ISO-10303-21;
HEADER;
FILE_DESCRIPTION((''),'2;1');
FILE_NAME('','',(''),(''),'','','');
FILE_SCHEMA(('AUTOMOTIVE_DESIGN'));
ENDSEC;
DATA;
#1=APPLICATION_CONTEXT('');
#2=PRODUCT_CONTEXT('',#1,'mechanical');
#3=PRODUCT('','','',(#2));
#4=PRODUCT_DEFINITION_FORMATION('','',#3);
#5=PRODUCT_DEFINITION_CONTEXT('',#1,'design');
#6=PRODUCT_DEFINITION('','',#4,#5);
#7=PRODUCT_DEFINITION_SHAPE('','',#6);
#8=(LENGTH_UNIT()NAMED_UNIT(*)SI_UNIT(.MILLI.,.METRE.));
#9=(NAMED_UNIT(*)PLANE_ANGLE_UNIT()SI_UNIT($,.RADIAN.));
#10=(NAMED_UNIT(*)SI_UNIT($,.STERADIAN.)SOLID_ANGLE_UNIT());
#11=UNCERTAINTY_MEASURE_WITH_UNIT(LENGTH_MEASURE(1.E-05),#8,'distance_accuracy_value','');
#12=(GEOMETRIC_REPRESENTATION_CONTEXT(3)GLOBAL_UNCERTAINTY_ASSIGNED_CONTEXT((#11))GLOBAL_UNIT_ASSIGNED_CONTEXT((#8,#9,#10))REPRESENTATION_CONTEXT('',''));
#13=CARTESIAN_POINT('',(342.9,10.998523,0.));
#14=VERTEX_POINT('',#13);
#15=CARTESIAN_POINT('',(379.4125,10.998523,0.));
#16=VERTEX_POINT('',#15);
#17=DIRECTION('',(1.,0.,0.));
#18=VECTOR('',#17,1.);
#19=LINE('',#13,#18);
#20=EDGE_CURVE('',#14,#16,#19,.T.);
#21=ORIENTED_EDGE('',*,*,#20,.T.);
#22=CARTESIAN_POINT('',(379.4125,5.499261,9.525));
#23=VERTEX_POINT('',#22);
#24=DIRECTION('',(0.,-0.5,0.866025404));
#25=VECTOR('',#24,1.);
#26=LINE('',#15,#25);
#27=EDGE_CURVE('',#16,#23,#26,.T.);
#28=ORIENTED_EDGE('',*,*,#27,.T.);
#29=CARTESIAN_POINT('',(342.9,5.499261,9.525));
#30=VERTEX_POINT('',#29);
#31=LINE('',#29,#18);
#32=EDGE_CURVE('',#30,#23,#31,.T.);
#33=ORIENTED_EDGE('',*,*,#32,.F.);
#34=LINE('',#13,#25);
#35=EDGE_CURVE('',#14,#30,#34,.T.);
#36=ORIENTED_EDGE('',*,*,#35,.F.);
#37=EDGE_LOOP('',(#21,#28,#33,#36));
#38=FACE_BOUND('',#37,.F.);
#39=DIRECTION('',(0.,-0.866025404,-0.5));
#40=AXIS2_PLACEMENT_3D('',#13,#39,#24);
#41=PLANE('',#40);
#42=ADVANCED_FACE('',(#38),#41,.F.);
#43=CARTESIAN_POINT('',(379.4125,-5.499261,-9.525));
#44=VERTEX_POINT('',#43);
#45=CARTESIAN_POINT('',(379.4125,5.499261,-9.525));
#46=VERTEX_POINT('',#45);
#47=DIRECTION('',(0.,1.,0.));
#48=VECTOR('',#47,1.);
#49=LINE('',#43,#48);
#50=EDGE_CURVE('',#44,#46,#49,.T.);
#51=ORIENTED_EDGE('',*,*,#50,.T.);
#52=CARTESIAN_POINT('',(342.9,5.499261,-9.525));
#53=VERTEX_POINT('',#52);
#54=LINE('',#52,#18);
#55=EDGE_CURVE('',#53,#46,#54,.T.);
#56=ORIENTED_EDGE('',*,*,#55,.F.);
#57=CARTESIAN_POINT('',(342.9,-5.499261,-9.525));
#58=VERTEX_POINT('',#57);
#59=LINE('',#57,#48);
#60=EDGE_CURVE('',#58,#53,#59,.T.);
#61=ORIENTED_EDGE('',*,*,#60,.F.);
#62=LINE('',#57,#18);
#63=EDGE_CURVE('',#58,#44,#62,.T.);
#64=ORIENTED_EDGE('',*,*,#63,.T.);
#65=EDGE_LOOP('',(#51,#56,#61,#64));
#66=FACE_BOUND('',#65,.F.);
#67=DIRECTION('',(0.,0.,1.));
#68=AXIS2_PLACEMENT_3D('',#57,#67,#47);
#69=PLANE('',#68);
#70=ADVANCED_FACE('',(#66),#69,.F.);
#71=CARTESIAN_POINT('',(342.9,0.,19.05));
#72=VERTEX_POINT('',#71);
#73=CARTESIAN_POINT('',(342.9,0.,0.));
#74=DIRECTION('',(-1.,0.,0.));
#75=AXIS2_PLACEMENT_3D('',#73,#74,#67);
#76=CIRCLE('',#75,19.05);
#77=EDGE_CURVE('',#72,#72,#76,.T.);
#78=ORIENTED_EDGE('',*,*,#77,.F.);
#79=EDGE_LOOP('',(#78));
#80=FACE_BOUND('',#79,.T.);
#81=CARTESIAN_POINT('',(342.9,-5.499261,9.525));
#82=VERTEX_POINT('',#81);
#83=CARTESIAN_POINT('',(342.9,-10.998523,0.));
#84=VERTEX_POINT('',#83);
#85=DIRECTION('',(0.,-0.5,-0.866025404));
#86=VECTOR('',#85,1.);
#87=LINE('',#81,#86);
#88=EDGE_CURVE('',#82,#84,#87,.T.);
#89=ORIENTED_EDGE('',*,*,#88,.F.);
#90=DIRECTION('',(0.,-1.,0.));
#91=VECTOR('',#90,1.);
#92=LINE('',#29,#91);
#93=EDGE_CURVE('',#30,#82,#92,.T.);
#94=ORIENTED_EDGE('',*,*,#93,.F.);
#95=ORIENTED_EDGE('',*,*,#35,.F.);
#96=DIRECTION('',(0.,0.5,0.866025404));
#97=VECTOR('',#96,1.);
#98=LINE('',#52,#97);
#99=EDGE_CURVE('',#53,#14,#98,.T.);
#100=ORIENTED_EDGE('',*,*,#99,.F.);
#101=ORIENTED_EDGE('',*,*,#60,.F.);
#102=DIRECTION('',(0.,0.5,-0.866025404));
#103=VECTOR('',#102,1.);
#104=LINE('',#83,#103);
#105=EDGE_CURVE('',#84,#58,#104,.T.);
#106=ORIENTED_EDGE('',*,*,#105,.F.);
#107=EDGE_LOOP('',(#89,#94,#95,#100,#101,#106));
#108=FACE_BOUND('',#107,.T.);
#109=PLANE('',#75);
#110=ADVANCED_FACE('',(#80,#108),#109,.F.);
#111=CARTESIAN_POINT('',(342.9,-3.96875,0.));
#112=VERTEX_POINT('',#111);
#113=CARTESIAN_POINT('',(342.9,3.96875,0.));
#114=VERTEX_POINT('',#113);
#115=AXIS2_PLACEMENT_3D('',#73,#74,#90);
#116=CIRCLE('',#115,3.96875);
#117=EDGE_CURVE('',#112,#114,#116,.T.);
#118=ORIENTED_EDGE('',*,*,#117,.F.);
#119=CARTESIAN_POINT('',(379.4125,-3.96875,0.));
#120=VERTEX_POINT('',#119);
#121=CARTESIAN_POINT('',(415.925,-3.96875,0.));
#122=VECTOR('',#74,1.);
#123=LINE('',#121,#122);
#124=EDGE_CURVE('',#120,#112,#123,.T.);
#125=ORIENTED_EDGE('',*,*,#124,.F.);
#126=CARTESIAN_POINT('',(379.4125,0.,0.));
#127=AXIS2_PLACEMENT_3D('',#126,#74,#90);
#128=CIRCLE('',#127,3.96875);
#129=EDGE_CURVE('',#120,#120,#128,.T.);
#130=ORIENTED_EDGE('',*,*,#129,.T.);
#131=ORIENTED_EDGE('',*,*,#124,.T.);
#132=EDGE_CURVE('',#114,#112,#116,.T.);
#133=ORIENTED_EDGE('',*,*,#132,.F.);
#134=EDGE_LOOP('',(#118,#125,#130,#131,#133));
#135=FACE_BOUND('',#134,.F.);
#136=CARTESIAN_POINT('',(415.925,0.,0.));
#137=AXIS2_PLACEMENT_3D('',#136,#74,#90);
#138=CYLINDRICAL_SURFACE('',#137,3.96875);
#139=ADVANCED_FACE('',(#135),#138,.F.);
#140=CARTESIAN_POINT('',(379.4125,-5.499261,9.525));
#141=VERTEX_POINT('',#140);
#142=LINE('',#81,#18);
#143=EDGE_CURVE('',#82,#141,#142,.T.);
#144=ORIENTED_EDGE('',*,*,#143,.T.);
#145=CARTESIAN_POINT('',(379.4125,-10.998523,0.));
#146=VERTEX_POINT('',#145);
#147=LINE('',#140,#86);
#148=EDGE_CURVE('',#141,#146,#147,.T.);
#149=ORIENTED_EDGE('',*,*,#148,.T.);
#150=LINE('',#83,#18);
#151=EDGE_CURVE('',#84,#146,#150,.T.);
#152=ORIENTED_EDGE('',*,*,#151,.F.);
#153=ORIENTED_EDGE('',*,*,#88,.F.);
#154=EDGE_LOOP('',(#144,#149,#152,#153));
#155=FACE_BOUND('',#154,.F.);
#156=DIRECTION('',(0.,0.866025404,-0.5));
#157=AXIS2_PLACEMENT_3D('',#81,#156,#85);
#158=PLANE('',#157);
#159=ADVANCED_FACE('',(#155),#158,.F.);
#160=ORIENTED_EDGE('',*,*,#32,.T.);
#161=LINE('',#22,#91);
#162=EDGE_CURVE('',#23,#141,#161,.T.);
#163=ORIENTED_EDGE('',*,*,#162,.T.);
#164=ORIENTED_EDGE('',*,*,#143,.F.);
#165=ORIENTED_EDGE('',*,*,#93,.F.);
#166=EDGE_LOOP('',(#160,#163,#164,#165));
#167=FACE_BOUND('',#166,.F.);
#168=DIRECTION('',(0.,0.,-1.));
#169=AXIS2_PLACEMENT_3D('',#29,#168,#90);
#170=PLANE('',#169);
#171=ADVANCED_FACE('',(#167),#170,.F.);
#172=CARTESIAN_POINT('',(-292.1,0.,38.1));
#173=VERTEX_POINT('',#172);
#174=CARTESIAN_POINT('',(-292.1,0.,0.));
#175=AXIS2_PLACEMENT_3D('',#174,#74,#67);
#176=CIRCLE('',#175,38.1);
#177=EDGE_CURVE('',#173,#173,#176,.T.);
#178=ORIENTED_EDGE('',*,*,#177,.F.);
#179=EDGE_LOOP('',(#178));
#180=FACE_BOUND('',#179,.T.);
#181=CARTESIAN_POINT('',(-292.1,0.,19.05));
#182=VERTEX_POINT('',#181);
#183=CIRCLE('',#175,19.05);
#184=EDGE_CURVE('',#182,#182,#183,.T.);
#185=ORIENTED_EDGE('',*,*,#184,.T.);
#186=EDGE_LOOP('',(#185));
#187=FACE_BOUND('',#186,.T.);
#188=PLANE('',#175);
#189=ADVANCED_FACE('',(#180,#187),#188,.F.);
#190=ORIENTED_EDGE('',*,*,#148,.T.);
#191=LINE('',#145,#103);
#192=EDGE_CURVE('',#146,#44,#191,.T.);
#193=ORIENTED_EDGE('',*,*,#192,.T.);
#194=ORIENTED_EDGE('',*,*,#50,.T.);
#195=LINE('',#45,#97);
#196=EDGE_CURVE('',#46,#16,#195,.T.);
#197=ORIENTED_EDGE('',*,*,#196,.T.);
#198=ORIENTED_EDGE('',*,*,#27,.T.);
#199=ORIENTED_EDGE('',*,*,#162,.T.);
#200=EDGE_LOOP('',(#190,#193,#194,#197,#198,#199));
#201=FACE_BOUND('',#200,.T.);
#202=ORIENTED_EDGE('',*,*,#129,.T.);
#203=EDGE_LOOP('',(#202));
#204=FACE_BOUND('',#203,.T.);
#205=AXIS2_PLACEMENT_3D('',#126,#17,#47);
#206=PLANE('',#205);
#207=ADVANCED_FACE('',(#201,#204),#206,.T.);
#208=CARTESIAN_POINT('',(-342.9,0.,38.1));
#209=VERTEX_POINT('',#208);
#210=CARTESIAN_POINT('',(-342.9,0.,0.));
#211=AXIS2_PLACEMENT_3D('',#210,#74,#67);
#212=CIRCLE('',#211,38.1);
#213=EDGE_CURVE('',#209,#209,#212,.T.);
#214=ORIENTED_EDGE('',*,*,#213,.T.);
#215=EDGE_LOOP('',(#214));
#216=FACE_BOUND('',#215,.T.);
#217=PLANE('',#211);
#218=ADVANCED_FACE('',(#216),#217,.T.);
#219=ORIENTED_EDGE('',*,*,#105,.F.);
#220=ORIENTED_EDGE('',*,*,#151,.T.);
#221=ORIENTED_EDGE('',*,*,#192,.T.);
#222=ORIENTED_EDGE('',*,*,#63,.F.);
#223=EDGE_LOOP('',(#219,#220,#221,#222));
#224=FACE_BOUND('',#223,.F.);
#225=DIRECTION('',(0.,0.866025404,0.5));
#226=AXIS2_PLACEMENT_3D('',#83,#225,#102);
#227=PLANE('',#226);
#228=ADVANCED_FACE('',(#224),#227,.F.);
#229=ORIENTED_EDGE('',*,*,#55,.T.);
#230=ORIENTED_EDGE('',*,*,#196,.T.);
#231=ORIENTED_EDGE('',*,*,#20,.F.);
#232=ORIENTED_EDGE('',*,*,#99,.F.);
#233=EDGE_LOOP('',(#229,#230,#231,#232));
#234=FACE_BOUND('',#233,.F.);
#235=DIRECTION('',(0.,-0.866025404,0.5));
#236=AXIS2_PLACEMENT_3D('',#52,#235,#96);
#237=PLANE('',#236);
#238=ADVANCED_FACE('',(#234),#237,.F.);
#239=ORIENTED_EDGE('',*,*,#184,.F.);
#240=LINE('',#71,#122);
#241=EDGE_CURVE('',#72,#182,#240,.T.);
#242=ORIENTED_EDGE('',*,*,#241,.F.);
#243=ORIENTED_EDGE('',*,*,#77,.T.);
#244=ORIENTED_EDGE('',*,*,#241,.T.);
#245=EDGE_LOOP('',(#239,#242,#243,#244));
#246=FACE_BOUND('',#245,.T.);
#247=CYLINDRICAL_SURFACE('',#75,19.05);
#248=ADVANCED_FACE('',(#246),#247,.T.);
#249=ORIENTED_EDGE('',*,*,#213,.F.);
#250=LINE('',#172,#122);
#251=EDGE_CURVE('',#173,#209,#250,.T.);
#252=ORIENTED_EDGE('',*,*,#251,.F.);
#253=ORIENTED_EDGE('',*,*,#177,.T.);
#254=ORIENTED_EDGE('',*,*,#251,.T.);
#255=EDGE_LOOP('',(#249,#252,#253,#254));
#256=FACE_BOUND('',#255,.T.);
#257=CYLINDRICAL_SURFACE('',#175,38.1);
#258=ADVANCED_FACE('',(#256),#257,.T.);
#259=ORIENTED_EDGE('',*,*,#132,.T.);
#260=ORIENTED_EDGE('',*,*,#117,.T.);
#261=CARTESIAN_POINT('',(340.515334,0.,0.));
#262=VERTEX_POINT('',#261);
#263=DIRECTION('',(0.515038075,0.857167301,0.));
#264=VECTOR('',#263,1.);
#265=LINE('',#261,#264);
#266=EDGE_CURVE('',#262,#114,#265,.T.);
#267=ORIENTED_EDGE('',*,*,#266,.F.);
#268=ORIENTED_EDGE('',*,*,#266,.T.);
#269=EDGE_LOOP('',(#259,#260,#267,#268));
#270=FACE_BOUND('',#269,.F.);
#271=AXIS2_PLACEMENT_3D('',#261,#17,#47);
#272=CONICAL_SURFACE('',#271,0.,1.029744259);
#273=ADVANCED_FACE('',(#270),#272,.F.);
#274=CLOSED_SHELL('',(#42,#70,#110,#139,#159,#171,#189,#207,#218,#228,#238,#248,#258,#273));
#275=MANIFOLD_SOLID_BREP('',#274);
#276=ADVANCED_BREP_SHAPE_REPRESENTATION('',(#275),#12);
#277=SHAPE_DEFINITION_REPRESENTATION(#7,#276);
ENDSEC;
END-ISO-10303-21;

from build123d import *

# Parameters (mm, degrees)
F3_DEPTH = 36.5125
F5_D     = 7.9375
F5_DEPTH = 36.5125
F5_TIP   = 2.3846655818


with BuildPart() as f1:
    # F0 (on Front) → F1 (revolve)
    with BuildSketch(Plane.XZ):
        Polygon((-342.9, 38.1), (-342.9, 0), (342.9, 0), (342.9, 19.05), (-292.1, 19.05), (-292.1, 38.1), align=None)
    revolve(axis=Axis((0, 0, 0), (-1, 0, 0)))

    # F2 (on face) → F3 (join)
    with BuildSketch(Plane.YZ.offset(342.9)):
        Polygon((5.499261314, 9.525), (-5.499261314, 9.525), (-10.9985226281, 0), (-5.499261314, -9.525), (5.499261314, -9.525), (10.9985226281, 0), align=None)
    extrude(amount=F3_DEPTH)

    # F5
    with Locations(Plane.YZ.offset(379.4125)):
        with Locations((0, 0)):
            Hole(F5_D / 2, depth=F5_DEPTH)
            with Locations((0, 0, -(F5_DEPTH + F5_TIP / 2))):  # 118° drill point
                Cone(0, F5_D / 2, F5_TIP, mode=Mode.SUBTRACT)


solid = f1.part
